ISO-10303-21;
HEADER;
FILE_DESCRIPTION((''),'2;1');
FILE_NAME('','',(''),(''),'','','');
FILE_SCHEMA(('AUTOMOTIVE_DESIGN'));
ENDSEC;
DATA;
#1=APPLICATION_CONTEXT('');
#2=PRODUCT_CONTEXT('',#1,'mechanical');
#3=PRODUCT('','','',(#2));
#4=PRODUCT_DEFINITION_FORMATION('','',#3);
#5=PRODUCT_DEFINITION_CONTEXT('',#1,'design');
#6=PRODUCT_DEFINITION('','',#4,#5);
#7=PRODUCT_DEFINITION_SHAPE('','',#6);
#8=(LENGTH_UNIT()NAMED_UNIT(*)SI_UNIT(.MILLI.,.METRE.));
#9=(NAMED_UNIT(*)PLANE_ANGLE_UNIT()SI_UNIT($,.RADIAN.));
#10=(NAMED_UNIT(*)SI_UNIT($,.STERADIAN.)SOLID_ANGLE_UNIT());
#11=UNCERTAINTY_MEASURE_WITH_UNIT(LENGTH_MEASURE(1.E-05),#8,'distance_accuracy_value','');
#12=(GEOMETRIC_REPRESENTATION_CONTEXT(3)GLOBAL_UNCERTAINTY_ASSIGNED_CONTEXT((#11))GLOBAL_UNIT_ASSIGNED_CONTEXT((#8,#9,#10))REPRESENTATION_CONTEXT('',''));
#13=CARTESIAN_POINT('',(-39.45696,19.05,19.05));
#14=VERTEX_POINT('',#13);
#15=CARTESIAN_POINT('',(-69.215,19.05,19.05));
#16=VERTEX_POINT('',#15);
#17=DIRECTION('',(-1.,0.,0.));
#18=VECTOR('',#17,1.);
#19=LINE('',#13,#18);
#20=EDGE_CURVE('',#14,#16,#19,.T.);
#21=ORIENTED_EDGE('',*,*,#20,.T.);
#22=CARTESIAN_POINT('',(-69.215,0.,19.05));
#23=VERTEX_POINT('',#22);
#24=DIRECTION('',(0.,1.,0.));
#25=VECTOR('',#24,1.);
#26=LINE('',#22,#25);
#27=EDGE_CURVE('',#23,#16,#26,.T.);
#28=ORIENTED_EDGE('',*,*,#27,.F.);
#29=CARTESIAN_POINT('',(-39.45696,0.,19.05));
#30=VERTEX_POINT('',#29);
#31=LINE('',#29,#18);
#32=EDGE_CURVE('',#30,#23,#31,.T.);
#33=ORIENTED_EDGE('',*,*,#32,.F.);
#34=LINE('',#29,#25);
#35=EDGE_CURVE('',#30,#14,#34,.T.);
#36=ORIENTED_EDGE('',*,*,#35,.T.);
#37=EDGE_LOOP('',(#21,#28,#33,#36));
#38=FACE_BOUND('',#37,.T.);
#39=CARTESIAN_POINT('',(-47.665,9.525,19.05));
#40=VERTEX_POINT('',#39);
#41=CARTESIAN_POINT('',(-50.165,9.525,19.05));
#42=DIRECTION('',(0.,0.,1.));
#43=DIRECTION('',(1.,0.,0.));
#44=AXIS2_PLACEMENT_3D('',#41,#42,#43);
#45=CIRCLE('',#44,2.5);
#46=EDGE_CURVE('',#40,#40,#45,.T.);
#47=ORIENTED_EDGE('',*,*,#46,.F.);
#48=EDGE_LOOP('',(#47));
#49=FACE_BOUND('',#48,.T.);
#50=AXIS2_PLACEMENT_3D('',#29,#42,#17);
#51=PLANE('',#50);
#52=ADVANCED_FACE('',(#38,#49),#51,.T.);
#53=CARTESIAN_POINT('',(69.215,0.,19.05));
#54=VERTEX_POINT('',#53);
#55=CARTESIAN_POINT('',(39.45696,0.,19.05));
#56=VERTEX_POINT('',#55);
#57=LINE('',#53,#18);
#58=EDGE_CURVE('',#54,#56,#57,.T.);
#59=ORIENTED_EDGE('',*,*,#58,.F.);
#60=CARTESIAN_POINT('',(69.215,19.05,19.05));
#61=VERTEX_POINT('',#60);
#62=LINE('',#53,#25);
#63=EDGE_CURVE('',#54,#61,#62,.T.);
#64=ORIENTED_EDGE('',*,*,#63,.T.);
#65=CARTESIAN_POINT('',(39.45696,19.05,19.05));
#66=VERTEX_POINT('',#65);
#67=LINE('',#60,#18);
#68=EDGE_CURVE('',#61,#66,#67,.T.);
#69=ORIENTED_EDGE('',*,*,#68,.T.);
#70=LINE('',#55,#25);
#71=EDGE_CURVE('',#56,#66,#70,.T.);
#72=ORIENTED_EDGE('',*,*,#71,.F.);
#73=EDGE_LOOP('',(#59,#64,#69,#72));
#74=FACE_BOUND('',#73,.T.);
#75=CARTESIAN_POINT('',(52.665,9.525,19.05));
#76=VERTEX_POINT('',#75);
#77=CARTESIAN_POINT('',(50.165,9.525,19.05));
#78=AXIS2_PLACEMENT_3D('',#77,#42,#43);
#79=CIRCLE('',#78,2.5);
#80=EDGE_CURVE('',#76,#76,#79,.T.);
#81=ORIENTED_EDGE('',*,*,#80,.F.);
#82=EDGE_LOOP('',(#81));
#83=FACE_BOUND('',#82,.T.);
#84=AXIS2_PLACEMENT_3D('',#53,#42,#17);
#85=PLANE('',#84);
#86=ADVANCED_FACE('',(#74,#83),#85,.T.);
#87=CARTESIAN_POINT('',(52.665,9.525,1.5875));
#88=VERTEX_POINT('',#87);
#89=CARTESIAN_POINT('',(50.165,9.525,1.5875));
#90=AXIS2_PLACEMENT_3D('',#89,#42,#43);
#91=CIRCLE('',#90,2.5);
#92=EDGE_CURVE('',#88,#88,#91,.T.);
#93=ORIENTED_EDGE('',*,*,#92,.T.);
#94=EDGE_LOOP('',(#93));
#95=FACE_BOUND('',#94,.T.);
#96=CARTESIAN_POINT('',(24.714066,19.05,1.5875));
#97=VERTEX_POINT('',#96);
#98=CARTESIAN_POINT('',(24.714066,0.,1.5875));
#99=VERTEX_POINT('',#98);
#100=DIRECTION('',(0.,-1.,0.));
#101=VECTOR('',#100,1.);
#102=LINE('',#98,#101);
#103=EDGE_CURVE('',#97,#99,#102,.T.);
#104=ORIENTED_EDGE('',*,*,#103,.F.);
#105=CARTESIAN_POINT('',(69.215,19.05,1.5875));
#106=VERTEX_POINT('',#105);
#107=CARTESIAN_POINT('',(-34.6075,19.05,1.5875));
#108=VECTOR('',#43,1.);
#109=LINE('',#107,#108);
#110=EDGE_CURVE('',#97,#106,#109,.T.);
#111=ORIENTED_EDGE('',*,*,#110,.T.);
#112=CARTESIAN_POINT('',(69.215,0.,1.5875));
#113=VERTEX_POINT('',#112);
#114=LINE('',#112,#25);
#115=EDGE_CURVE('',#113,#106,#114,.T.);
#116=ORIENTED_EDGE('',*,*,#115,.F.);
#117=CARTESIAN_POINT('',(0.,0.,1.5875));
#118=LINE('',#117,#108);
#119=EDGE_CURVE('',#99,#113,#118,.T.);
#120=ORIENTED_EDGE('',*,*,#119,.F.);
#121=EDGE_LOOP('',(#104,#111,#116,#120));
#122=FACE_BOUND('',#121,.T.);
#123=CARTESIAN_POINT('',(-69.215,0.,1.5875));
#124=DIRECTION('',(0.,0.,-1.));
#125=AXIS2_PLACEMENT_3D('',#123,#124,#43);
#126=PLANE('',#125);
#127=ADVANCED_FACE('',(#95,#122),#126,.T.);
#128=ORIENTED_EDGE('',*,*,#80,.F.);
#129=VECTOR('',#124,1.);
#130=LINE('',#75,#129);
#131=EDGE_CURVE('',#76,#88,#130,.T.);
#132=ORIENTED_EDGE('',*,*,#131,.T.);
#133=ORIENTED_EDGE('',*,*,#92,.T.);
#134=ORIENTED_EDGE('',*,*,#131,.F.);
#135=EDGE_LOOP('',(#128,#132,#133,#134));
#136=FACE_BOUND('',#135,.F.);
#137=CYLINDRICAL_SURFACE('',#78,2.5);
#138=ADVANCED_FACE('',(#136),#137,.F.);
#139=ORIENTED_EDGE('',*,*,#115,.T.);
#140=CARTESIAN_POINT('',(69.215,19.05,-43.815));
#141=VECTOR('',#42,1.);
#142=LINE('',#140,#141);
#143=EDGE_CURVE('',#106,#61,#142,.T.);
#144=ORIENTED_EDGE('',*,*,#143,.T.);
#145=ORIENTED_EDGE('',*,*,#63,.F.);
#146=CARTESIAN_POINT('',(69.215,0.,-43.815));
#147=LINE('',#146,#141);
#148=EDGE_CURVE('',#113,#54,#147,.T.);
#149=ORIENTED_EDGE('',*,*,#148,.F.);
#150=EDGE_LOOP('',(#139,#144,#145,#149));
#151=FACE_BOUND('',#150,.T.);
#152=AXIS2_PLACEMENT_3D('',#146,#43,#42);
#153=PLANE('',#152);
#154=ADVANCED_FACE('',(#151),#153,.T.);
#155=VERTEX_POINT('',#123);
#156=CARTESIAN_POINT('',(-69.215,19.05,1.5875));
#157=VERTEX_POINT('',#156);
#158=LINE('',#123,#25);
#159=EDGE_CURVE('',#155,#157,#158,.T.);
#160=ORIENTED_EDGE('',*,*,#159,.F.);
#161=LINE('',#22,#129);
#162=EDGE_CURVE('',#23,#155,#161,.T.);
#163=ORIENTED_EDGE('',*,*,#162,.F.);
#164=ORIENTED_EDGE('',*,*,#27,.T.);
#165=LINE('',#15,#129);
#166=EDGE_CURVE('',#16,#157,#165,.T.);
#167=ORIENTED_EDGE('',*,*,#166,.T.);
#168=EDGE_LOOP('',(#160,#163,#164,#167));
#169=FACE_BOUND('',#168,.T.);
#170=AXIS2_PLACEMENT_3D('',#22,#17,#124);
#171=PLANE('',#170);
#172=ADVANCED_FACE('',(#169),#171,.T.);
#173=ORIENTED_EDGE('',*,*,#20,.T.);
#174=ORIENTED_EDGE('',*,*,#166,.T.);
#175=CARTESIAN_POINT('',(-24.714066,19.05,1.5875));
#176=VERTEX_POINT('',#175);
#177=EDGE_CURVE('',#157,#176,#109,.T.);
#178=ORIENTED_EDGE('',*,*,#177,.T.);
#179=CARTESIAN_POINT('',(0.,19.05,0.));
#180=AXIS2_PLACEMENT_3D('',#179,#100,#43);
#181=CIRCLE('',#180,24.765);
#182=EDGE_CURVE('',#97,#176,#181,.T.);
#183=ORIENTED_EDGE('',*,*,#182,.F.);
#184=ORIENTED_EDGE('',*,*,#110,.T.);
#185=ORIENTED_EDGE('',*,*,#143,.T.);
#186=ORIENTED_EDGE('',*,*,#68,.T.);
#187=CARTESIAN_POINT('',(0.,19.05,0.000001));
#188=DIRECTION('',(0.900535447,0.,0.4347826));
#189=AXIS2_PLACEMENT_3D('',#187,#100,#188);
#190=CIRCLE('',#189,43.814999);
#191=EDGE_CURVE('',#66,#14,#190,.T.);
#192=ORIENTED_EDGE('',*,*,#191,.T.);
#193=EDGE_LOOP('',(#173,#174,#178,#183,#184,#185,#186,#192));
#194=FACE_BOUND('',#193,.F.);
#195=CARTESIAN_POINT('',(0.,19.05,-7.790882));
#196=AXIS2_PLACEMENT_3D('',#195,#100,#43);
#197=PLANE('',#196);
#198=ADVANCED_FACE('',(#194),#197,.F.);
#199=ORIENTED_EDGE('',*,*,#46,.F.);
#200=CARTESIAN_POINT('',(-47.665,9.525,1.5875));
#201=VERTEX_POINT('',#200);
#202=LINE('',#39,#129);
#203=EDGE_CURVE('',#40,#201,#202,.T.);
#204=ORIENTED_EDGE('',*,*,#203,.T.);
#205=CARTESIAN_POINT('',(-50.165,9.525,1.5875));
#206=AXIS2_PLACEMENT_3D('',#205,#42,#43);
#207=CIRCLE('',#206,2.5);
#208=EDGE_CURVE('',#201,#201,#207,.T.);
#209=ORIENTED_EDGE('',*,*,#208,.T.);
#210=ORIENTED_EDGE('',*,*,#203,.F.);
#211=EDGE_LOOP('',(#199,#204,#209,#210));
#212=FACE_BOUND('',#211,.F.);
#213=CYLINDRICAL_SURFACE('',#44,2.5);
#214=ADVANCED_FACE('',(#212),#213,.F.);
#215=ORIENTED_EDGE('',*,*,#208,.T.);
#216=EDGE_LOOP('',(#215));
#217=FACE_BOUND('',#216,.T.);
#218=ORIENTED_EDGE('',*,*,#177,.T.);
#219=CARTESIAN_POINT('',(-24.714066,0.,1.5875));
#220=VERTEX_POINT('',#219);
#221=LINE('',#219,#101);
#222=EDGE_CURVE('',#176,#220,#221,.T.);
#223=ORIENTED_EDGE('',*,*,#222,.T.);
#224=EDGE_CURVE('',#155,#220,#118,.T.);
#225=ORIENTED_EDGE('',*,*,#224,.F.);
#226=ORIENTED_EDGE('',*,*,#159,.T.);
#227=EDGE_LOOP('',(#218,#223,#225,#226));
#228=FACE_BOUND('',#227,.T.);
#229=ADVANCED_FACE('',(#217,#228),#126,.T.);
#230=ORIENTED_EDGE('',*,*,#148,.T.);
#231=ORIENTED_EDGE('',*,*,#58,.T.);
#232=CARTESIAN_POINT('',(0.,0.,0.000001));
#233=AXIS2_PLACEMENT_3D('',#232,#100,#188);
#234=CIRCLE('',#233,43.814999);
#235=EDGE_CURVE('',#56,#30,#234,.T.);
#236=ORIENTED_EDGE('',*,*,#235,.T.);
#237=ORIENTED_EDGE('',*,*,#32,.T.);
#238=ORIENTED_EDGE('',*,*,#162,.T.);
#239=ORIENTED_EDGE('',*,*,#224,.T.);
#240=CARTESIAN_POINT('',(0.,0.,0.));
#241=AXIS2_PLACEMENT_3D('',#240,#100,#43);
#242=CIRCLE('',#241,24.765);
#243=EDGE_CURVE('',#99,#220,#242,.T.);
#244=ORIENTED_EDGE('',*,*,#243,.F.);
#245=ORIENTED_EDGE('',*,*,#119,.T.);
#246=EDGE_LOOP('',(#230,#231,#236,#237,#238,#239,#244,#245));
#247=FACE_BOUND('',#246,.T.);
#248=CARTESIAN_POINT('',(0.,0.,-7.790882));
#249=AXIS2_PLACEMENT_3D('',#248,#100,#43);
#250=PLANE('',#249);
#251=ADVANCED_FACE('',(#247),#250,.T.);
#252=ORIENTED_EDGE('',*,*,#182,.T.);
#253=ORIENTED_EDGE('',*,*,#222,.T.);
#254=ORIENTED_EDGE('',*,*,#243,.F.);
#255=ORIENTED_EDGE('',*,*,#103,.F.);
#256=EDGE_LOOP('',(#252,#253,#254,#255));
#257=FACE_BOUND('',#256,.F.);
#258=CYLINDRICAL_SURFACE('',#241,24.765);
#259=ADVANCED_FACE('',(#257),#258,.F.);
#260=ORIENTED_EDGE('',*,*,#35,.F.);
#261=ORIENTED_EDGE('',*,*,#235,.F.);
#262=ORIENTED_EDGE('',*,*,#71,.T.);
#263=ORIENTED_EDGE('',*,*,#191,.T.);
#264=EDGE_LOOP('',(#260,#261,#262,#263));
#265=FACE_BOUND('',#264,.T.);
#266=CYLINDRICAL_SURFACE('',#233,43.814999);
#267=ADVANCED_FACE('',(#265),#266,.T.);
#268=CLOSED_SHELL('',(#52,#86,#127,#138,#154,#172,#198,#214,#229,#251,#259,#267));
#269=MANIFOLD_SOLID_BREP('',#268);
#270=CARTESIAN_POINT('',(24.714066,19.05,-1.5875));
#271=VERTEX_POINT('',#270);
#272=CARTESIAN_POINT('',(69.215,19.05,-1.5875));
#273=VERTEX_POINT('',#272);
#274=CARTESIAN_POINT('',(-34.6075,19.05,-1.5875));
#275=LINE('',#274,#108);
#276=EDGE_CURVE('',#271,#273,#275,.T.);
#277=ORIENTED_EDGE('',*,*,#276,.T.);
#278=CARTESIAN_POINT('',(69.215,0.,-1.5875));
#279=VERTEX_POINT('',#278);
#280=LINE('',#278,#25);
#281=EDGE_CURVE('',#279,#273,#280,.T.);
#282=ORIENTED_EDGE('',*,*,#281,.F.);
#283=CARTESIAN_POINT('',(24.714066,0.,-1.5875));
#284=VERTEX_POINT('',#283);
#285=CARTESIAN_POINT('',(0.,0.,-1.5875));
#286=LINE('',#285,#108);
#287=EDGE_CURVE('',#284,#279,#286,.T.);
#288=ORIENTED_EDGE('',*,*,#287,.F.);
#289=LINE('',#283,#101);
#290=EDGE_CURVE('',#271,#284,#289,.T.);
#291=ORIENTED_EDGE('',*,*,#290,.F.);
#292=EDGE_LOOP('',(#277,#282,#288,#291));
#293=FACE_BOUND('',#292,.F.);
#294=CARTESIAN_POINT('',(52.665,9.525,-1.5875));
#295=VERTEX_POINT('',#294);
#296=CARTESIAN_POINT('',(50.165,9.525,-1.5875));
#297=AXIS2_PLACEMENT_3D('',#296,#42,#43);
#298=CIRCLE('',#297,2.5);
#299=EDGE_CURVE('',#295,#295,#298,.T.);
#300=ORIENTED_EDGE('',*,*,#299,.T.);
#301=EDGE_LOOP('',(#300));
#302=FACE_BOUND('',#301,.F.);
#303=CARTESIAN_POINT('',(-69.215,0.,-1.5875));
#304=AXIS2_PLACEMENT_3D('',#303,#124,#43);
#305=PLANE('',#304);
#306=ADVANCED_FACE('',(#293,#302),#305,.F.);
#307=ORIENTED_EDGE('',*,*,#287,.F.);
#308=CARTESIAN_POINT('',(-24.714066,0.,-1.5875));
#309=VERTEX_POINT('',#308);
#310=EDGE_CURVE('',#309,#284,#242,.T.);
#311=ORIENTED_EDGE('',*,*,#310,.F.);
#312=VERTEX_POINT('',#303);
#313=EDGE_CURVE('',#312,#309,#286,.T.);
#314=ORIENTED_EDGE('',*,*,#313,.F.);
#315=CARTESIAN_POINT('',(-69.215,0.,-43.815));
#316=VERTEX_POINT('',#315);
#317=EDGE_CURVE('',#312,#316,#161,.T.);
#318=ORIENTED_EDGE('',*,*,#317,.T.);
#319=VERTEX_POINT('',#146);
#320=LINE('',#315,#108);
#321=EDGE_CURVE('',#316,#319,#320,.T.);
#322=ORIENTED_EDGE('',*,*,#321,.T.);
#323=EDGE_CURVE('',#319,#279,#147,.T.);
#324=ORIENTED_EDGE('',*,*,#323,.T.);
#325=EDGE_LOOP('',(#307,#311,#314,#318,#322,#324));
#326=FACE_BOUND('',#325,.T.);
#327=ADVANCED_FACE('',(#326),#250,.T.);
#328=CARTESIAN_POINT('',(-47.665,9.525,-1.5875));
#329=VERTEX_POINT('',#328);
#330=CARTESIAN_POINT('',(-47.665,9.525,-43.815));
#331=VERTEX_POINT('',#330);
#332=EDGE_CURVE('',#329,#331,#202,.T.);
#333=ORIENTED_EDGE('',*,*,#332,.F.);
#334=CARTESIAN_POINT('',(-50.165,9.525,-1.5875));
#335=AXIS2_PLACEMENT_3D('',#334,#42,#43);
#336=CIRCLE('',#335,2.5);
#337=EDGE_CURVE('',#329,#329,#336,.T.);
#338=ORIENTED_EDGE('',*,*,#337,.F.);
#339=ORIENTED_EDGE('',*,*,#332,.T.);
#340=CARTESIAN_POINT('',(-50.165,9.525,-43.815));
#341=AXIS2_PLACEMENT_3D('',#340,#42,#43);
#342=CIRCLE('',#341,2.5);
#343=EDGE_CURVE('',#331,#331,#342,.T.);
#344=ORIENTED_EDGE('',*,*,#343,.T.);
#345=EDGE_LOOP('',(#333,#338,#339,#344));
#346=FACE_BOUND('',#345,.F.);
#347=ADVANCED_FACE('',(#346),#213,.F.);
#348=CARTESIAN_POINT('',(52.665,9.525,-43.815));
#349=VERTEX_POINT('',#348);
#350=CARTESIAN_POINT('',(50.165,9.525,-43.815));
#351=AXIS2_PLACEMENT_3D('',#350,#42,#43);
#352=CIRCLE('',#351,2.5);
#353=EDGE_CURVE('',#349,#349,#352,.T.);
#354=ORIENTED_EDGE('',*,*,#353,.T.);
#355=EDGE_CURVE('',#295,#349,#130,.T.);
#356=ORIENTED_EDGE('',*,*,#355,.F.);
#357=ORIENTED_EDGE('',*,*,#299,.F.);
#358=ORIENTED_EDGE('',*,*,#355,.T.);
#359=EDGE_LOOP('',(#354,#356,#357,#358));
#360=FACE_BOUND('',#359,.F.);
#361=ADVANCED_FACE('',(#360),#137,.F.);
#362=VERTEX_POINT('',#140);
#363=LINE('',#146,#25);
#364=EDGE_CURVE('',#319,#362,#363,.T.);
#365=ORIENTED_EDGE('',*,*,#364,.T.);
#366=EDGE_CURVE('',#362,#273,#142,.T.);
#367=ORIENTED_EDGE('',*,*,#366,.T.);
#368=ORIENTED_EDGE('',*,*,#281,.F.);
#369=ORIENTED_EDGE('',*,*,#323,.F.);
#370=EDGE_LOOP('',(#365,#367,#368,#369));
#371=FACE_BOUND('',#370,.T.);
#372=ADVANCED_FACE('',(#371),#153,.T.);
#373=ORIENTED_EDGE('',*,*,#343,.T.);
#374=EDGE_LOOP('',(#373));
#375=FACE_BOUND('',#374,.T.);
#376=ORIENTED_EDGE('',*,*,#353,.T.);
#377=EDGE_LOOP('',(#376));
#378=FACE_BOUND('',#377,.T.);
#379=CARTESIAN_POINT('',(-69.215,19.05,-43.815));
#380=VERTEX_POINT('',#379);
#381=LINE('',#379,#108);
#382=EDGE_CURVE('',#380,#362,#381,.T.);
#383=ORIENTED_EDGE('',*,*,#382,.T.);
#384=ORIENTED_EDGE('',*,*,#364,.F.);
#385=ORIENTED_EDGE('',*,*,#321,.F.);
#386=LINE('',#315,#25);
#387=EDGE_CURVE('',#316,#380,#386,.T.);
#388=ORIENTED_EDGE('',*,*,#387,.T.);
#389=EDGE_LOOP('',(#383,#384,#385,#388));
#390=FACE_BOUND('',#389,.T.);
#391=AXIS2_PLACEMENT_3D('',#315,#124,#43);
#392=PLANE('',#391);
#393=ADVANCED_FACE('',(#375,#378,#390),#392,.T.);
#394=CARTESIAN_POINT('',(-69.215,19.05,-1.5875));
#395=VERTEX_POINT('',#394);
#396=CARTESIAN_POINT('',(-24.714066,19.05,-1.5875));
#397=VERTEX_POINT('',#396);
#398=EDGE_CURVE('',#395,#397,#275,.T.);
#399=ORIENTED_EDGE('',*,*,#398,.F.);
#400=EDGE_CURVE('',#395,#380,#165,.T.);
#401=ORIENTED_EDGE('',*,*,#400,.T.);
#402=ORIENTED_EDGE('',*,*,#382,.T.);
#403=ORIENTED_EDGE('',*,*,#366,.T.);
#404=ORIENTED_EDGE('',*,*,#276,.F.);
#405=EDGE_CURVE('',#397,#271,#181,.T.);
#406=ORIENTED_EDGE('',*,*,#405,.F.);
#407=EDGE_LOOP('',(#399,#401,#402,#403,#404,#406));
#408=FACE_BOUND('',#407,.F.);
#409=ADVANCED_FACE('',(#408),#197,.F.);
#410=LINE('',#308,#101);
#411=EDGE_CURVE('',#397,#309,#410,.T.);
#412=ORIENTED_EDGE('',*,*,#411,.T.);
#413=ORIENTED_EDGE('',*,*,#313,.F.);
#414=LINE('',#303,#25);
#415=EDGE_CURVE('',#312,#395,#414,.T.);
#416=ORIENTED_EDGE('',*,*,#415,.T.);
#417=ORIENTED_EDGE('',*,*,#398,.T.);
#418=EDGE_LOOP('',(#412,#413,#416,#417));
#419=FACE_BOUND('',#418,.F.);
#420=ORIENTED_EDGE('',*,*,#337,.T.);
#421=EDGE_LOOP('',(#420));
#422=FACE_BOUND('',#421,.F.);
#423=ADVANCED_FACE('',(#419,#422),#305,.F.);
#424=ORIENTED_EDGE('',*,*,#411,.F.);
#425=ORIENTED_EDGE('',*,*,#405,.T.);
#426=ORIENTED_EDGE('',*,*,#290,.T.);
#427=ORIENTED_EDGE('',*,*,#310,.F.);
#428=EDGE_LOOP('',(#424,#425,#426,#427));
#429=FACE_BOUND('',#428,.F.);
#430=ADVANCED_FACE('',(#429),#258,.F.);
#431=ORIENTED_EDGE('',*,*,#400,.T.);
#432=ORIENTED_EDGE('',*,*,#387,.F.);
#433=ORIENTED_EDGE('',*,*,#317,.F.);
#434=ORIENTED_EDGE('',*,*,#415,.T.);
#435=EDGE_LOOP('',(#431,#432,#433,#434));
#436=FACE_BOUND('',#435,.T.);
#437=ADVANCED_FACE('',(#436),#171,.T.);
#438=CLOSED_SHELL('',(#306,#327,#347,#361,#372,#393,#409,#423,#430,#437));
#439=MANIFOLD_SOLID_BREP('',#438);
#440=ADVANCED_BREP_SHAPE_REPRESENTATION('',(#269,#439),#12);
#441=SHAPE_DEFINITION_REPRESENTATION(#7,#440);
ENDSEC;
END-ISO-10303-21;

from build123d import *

# Parameters (mm, degrees)
F0_R     = 24.765
F1_DEPTH = 19.05
F2_W     = 138.43
F2_H     = 3.175
F3_DEPTH = 25.4
F4_R     = 2.5
F5_DEPTH = 127


with BuildPart() as f1:
    # F0 (on Front) → F1 (new body)
    with BuildSketch(Plane.XZ):
        with BuildLine():
            Line((69.215, 19.05), (39.45696, 19.05))
            ThreePointArc((39.45696, 19.05), (0, 43.815), (-39.45696, 19.05))
            Line((-39.45696, 19.05), (-69.215, 19.05))
            Line((-69.215, 19.05), (-69.215, -43.815))
            Line((-69.215, -43.815), (69.215, -43.815))
            Line((69.215, -43.815), (69.215, 19.05))
        make_face()
        Circle(F0_R, mode=Mode.SUBTRACT)
    extrude(amount=-F1_DEPTH)

    # F2 (on face) → F3 (cut)
    with BuildSketch(Plane.XZ):
        Rectangle(F2_W, F2_H)
    extrude(amount=-F3_DEPTH, mode=Mode.SUBTRACT)

    # F4 (on face) → F5 (cut)
    with BuildSketch(Plane.XY.offset(19.05)):
        with Locations((-50.165, 9.525)):
            Circle(F4_R)
        with Locations((50.165, 9.525)):
            Circle(F4_R)
    extrude(amount=-F5_DEPTH, mode=Mode.SUBTRACT)


solid = f1.part
